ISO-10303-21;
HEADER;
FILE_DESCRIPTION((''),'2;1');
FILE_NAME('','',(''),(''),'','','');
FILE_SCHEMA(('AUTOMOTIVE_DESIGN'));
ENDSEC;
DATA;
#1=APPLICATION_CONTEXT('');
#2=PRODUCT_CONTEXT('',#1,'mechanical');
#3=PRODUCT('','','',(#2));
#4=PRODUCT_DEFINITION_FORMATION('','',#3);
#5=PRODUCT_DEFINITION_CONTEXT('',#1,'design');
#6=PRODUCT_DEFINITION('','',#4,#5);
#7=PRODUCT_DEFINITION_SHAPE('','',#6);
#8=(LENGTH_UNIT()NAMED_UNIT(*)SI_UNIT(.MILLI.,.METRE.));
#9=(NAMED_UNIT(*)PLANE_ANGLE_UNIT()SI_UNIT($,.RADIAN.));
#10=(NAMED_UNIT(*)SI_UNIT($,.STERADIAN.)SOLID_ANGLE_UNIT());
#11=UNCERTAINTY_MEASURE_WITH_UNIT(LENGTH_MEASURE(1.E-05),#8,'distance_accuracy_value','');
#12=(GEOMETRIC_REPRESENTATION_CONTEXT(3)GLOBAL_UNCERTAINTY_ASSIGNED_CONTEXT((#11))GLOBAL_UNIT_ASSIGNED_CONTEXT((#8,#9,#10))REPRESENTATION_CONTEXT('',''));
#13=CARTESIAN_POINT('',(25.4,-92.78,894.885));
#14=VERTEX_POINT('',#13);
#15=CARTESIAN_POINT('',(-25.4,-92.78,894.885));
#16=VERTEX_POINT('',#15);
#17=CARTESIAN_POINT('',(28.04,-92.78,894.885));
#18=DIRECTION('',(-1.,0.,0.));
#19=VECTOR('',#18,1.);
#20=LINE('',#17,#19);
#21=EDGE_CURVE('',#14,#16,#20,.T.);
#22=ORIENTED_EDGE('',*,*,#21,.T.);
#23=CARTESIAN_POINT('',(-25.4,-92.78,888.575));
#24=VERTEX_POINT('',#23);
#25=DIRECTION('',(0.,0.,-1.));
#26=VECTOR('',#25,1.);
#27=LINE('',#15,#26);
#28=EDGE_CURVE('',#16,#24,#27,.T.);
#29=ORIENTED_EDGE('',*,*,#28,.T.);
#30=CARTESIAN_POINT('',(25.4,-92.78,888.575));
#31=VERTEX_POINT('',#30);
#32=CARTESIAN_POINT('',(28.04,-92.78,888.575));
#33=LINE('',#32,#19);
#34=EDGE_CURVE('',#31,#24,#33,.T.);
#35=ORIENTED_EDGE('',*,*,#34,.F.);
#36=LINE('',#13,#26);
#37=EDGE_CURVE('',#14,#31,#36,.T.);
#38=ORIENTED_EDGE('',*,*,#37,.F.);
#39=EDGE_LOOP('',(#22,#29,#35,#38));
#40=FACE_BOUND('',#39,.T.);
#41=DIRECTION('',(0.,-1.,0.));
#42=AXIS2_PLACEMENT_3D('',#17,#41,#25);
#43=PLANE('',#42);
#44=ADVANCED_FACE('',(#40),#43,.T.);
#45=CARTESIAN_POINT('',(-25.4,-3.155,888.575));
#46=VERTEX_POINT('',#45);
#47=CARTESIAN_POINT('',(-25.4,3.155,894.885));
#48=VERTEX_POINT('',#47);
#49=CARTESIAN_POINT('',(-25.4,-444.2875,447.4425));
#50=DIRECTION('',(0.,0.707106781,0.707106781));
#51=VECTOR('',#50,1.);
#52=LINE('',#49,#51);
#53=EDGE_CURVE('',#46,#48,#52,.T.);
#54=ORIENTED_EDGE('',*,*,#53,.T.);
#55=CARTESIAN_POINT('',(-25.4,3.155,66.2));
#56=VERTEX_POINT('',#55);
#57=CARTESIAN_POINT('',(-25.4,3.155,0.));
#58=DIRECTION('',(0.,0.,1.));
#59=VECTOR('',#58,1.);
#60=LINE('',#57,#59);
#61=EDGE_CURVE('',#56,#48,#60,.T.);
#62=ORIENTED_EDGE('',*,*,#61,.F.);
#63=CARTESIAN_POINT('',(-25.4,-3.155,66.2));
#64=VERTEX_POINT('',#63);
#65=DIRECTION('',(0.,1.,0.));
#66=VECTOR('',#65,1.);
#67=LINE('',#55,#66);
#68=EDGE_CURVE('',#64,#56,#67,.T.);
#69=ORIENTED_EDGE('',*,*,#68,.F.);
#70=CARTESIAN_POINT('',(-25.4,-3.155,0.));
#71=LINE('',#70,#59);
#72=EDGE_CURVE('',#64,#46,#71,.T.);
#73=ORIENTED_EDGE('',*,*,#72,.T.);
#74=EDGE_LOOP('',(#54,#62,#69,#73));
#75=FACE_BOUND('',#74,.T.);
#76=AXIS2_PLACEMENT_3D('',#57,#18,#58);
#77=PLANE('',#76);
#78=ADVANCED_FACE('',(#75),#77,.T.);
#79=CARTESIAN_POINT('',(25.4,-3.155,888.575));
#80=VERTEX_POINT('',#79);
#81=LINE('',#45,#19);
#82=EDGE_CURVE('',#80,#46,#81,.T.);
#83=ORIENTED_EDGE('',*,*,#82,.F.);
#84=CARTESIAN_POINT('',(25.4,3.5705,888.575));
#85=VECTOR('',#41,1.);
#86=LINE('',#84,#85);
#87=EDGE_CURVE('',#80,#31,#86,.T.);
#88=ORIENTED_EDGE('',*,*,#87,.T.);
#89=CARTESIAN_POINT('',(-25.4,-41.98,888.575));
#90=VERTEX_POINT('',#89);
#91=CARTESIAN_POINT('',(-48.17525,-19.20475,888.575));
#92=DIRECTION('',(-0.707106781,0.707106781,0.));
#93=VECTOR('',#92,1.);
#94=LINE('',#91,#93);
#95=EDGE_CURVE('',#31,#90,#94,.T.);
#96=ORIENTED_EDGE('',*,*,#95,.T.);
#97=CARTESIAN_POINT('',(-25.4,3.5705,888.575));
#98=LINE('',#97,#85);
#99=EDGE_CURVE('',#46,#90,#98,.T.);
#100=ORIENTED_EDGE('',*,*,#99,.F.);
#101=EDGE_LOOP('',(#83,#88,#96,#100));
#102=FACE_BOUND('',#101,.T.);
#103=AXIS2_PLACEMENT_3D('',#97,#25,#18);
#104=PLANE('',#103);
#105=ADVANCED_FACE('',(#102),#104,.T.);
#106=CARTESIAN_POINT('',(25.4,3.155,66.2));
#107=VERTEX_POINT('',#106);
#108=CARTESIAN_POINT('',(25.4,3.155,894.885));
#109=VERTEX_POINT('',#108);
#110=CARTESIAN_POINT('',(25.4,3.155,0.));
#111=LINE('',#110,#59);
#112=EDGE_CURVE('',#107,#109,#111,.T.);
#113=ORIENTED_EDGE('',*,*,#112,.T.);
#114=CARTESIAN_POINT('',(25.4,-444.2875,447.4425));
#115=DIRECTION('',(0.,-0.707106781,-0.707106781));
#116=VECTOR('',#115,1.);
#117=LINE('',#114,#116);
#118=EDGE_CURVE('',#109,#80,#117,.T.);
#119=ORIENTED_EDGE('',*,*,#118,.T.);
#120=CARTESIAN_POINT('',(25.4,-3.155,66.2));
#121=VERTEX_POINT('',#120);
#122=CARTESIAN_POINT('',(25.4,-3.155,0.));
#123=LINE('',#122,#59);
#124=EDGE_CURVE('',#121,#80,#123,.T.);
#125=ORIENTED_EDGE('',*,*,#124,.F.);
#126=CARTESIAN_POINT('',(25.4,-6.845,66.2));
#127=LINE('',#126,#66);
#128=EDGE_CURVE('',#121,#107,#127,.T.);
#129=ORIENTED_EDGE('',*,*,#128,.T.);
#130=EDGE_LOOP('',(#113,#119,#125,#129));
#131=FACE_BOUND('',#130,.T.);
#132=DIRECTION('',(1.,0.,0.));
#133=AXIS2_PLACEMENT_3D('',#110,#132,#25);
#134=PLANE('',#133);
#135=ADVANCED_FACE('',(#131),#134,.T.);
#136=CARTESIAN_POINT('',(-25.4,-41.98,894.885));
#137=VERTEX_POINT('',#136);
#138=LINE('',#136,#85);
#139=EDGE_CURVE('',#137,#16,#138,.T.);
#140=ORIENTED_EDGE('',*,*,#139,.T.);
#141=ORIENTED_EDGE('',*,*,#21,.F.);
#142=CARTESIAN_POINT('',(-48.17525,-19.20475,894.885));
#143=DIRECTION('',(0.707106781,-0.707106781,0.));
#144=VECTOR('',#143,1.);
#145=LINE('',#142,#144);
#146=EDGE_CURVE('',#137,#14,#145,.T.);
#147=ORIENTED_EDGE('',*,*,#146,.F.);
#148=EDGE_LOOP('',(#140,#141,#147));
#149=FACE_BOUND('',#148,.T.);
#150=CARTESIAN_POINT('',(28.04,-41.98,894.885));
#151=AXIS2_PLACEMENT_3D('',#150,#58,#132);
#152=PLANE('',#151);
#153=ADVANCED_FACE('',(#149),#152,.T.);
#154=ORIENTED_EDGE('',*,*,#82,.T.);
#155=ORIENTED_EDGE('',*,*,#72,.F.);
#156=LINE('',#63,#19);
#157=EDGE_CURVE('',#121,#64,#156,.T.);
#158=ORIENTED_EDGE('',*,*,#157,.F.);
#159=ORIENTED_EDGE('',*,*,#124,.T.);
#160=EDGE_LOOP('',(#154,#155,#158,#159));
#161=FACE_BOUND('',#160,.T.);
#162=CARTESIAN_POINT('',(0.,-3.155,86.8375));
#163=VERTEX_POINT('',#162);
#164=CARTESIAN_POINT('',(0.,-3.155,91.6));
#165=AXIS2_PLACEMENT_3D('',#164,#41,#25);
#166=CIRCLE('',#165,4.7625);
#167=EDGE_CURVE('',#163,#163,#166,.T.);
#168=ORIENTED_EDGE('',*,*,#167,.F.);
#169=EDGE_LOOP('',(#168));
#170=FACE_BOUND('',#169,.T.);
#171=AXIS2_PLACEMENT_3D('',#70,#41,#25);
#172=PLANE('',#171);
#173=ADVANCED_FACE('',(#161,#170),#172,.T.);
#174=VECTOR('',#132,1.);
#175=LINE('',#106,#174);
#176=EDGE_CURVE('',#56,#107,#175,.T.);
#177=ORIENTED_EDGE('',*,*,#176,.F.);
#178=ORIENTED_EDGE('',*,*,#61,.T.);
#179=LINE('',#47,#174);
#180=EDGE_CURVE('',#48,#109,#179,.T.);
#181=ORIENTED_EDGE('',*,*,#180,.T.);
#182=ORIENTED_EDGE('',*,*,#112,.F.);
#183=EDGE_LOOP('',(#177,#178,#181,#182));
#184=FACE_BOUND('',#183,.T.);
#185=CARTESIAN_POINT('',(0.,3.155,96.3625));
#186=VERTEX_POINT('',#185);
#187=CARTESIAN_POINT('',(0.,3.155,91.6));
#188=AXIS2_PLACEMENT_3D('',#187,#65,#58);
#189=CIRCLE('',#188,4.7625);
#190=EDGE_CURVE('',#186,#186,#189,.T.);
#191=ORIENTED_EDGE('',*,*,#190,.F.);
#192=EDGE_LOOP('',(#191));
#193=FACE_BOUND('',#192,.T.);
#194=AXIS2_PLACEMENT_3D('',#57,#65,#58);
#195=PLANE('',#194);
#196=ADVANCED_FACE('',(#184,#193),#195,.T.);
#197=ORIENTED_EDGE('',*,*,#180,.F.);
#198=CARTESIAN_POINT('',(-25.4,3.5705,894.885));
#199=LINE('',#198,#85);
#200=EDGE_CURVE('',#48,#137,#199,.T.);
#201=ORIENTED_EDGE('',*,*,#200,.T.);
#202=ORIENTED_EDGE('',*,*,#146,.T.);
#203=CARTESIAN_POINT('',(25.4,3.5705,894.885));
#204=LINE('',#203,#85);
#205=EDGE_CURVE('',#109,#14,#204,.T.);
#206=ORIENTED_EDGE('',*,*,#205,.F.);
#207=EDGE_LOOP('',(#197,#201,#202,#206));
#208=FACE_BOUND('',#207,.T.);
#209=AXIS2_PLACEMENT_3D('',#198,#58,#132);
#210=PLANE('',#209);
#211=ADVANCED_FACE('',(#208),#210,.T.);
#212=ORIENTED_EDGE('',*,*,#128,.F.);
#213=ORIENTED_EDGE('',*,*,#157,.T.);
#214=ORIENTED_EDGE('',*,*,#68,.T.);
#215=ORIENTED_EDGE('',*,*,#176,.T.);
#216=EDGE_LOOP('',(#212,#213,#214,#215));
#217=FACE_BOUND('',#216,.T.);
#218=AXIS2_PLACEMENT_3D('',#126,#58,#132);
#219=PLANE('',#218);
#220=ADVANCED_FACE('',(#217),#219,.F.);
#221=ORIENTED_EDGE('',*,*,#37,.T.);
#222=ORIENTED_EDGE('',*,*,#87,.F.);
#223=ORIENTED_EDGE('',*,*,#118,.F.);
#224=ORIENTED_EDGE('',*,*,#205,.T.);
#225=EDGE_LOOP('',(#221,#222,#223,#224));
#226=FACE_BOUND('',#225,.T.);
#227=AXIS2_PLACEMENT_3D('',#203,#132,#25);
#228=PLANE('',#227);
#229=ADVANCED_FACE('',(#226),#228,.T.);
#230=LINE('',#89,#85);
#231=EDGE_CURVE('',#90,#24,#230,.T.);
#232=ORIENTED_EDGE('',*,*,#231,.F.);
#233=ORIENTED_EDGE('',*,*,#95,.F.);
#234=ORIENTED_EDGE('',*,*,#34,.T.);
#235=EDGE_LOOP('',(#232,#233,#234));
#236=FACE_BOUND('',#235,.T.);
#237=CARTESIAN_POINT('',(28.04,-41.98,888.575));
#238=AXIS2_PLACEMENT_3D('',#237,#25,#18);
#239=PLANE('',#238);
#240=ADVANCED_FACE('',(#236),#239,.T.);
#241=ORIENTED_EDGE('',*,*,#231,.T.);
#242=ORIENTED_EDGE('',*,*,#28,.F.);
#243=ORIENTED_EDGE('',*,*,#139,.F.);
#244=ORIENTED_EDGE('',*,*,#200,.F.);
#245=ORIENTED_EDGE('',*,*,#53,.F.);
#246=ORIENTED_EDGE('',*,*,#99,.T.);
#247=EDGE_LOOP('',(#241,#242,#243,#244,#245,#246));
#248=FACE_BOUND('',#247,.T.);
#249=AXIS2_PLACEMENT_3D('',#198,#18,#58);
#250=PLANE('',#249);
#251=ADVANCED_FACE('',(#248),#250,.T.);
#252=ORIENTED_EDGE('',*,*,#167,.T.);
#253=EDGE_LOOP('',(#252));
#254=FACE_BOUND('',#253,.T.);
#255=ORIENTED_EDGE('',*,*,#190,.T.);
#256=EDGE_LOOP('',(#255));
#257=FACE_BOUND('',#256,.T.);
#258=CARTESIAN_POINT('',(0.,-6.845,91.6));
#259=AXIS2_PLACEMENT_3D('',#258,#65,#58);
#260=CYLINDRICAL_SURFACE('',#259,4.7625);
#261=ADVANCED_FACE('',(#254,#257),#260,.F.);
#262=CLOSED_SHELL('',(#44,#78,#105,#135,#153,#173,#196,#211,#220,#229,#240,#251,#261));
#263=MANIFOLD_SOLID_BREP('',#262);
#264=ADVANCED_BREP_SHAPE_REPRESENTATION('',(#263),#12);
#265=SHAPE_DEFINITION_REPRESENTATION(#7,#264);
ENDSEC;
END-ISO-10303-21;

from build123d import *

# Parameters (mm, degrees)
CROQUIS1_W            = 50.8
CROQUIS1_H            = 6.31
CROQUIS2_R            = 6.5
CORTAR_EXTRUIR1_DEPTH = 10
CROQUIS5_R            = 6.5
CORTAR_EXTRUIR4_DEPTH = 10
CROQUIS7_W            = 59.2
CROQUIS7_H            = 50.8
CORTAR_EXTRUIR5_DEPTH = 6.31
CROQUIS9_W            = 50.8
CROQUIS9_H            = 66.2
CORTAR_EXTRUIR7_DEPTH = 10
CROQUIS10_R           = 4.7625
CORTAR_EXTRUIR8_DEPTH = 10


with BuildPart() as part:
    # Barrer1: sweep along a curve in space
    with BuildLine() as barrer1_path:
        Line((0, 0, 0), (0, 0, 891.73))
        Line((0, 0, 891.73), (0, -67.38, 891.73))
        Line((0, -67.38, 891.73), (-84.6, -67.38, 891.73))
    # Croquis1 → Barrer1 (sweep)
    with BuildSketch(Plane.XY):
        Rectangle(CROQUIS1_W, CROQUIS1_H)
    sweep(path=barrer1_path.line, transition=Transition.RIGHT)

    # Croquis2 → Cortar-Extruir1 (cut)
    with BuildSketch(Plane(origin=(0, 3.155, 0), x_dir=(1, 0, 0), z_dir=(0, 1, 0))):
        with Locations(Location((0, -16.5, 0), (0, 0, 270))):
            Circle(CROQUIS2_R)
        with Locations(Location((0, -47.5, 0), (0, 0, 270))):
            Circle(CROQUIS2_R)
    extrude(amount=-CORTAR_EXTRUIR1_DEPTH, mode=Mode.SUBTRACT)

    # Croquis5 → Cortar-Extruir4 (cut)
    with BuildSketch(Plane(origin=(0, 0, 888.575), x_dir=(-1, 0, 0), z_dir=(0, 0, -1))):
        with Locations((60, -67.38)):
            Circle(CROQUIS5_R)
    extrude(amount=-CORTAR_EXTRUIR4_DEPTH, mode=Mode.SUBTRACT)

    # Croquis7 → Cortar-Extruir5 (cut)
    with BuildSketch(Plane(origin=(0, 0, 888.575), x_dir=(-1, 0, 0), z_dir=(0, 0, -1))):
        with Locations((55, -67.38)):
            Rectangle(CROQUIS7_W, CROQUIS7_H)
    extrude(amount=-CORTAR_EXTRUIR5_DEPTH, mode=Mode.SUBTRACT)

    # Croquis9 → Cortar-Extruir7 (cut)
    with BuildSketch(Plane(origin=(0, 3.155, 0), x_dir=(1, 0, 0), z_dir=(0, 1, 0))):
        with Locations((0, -33.1)):
            Rectangle(CROQUIS9_W, CROQUIS9_H)
    extrude(amount=-CORTAR_EXTRUIR7_DEPTH, mode=Mode.SUBTRACT)

    # Croquis10 → Cortar-Extruir8 (cut)
    with BuildSketch(Plane(origin=(0, 3.155, 0), x_dir=(1, 0, 0), z_dir=(0, 1, 0))):
        with Locations(Location((0, -91.6, 0), (0, 0, 270))):
            Circle(CROQUIS10_R)
    extrude(amount=-CORTAR_EXTRUIR8_DEPTH, mode=Mode.SUBTRACT)


solid = part.part
